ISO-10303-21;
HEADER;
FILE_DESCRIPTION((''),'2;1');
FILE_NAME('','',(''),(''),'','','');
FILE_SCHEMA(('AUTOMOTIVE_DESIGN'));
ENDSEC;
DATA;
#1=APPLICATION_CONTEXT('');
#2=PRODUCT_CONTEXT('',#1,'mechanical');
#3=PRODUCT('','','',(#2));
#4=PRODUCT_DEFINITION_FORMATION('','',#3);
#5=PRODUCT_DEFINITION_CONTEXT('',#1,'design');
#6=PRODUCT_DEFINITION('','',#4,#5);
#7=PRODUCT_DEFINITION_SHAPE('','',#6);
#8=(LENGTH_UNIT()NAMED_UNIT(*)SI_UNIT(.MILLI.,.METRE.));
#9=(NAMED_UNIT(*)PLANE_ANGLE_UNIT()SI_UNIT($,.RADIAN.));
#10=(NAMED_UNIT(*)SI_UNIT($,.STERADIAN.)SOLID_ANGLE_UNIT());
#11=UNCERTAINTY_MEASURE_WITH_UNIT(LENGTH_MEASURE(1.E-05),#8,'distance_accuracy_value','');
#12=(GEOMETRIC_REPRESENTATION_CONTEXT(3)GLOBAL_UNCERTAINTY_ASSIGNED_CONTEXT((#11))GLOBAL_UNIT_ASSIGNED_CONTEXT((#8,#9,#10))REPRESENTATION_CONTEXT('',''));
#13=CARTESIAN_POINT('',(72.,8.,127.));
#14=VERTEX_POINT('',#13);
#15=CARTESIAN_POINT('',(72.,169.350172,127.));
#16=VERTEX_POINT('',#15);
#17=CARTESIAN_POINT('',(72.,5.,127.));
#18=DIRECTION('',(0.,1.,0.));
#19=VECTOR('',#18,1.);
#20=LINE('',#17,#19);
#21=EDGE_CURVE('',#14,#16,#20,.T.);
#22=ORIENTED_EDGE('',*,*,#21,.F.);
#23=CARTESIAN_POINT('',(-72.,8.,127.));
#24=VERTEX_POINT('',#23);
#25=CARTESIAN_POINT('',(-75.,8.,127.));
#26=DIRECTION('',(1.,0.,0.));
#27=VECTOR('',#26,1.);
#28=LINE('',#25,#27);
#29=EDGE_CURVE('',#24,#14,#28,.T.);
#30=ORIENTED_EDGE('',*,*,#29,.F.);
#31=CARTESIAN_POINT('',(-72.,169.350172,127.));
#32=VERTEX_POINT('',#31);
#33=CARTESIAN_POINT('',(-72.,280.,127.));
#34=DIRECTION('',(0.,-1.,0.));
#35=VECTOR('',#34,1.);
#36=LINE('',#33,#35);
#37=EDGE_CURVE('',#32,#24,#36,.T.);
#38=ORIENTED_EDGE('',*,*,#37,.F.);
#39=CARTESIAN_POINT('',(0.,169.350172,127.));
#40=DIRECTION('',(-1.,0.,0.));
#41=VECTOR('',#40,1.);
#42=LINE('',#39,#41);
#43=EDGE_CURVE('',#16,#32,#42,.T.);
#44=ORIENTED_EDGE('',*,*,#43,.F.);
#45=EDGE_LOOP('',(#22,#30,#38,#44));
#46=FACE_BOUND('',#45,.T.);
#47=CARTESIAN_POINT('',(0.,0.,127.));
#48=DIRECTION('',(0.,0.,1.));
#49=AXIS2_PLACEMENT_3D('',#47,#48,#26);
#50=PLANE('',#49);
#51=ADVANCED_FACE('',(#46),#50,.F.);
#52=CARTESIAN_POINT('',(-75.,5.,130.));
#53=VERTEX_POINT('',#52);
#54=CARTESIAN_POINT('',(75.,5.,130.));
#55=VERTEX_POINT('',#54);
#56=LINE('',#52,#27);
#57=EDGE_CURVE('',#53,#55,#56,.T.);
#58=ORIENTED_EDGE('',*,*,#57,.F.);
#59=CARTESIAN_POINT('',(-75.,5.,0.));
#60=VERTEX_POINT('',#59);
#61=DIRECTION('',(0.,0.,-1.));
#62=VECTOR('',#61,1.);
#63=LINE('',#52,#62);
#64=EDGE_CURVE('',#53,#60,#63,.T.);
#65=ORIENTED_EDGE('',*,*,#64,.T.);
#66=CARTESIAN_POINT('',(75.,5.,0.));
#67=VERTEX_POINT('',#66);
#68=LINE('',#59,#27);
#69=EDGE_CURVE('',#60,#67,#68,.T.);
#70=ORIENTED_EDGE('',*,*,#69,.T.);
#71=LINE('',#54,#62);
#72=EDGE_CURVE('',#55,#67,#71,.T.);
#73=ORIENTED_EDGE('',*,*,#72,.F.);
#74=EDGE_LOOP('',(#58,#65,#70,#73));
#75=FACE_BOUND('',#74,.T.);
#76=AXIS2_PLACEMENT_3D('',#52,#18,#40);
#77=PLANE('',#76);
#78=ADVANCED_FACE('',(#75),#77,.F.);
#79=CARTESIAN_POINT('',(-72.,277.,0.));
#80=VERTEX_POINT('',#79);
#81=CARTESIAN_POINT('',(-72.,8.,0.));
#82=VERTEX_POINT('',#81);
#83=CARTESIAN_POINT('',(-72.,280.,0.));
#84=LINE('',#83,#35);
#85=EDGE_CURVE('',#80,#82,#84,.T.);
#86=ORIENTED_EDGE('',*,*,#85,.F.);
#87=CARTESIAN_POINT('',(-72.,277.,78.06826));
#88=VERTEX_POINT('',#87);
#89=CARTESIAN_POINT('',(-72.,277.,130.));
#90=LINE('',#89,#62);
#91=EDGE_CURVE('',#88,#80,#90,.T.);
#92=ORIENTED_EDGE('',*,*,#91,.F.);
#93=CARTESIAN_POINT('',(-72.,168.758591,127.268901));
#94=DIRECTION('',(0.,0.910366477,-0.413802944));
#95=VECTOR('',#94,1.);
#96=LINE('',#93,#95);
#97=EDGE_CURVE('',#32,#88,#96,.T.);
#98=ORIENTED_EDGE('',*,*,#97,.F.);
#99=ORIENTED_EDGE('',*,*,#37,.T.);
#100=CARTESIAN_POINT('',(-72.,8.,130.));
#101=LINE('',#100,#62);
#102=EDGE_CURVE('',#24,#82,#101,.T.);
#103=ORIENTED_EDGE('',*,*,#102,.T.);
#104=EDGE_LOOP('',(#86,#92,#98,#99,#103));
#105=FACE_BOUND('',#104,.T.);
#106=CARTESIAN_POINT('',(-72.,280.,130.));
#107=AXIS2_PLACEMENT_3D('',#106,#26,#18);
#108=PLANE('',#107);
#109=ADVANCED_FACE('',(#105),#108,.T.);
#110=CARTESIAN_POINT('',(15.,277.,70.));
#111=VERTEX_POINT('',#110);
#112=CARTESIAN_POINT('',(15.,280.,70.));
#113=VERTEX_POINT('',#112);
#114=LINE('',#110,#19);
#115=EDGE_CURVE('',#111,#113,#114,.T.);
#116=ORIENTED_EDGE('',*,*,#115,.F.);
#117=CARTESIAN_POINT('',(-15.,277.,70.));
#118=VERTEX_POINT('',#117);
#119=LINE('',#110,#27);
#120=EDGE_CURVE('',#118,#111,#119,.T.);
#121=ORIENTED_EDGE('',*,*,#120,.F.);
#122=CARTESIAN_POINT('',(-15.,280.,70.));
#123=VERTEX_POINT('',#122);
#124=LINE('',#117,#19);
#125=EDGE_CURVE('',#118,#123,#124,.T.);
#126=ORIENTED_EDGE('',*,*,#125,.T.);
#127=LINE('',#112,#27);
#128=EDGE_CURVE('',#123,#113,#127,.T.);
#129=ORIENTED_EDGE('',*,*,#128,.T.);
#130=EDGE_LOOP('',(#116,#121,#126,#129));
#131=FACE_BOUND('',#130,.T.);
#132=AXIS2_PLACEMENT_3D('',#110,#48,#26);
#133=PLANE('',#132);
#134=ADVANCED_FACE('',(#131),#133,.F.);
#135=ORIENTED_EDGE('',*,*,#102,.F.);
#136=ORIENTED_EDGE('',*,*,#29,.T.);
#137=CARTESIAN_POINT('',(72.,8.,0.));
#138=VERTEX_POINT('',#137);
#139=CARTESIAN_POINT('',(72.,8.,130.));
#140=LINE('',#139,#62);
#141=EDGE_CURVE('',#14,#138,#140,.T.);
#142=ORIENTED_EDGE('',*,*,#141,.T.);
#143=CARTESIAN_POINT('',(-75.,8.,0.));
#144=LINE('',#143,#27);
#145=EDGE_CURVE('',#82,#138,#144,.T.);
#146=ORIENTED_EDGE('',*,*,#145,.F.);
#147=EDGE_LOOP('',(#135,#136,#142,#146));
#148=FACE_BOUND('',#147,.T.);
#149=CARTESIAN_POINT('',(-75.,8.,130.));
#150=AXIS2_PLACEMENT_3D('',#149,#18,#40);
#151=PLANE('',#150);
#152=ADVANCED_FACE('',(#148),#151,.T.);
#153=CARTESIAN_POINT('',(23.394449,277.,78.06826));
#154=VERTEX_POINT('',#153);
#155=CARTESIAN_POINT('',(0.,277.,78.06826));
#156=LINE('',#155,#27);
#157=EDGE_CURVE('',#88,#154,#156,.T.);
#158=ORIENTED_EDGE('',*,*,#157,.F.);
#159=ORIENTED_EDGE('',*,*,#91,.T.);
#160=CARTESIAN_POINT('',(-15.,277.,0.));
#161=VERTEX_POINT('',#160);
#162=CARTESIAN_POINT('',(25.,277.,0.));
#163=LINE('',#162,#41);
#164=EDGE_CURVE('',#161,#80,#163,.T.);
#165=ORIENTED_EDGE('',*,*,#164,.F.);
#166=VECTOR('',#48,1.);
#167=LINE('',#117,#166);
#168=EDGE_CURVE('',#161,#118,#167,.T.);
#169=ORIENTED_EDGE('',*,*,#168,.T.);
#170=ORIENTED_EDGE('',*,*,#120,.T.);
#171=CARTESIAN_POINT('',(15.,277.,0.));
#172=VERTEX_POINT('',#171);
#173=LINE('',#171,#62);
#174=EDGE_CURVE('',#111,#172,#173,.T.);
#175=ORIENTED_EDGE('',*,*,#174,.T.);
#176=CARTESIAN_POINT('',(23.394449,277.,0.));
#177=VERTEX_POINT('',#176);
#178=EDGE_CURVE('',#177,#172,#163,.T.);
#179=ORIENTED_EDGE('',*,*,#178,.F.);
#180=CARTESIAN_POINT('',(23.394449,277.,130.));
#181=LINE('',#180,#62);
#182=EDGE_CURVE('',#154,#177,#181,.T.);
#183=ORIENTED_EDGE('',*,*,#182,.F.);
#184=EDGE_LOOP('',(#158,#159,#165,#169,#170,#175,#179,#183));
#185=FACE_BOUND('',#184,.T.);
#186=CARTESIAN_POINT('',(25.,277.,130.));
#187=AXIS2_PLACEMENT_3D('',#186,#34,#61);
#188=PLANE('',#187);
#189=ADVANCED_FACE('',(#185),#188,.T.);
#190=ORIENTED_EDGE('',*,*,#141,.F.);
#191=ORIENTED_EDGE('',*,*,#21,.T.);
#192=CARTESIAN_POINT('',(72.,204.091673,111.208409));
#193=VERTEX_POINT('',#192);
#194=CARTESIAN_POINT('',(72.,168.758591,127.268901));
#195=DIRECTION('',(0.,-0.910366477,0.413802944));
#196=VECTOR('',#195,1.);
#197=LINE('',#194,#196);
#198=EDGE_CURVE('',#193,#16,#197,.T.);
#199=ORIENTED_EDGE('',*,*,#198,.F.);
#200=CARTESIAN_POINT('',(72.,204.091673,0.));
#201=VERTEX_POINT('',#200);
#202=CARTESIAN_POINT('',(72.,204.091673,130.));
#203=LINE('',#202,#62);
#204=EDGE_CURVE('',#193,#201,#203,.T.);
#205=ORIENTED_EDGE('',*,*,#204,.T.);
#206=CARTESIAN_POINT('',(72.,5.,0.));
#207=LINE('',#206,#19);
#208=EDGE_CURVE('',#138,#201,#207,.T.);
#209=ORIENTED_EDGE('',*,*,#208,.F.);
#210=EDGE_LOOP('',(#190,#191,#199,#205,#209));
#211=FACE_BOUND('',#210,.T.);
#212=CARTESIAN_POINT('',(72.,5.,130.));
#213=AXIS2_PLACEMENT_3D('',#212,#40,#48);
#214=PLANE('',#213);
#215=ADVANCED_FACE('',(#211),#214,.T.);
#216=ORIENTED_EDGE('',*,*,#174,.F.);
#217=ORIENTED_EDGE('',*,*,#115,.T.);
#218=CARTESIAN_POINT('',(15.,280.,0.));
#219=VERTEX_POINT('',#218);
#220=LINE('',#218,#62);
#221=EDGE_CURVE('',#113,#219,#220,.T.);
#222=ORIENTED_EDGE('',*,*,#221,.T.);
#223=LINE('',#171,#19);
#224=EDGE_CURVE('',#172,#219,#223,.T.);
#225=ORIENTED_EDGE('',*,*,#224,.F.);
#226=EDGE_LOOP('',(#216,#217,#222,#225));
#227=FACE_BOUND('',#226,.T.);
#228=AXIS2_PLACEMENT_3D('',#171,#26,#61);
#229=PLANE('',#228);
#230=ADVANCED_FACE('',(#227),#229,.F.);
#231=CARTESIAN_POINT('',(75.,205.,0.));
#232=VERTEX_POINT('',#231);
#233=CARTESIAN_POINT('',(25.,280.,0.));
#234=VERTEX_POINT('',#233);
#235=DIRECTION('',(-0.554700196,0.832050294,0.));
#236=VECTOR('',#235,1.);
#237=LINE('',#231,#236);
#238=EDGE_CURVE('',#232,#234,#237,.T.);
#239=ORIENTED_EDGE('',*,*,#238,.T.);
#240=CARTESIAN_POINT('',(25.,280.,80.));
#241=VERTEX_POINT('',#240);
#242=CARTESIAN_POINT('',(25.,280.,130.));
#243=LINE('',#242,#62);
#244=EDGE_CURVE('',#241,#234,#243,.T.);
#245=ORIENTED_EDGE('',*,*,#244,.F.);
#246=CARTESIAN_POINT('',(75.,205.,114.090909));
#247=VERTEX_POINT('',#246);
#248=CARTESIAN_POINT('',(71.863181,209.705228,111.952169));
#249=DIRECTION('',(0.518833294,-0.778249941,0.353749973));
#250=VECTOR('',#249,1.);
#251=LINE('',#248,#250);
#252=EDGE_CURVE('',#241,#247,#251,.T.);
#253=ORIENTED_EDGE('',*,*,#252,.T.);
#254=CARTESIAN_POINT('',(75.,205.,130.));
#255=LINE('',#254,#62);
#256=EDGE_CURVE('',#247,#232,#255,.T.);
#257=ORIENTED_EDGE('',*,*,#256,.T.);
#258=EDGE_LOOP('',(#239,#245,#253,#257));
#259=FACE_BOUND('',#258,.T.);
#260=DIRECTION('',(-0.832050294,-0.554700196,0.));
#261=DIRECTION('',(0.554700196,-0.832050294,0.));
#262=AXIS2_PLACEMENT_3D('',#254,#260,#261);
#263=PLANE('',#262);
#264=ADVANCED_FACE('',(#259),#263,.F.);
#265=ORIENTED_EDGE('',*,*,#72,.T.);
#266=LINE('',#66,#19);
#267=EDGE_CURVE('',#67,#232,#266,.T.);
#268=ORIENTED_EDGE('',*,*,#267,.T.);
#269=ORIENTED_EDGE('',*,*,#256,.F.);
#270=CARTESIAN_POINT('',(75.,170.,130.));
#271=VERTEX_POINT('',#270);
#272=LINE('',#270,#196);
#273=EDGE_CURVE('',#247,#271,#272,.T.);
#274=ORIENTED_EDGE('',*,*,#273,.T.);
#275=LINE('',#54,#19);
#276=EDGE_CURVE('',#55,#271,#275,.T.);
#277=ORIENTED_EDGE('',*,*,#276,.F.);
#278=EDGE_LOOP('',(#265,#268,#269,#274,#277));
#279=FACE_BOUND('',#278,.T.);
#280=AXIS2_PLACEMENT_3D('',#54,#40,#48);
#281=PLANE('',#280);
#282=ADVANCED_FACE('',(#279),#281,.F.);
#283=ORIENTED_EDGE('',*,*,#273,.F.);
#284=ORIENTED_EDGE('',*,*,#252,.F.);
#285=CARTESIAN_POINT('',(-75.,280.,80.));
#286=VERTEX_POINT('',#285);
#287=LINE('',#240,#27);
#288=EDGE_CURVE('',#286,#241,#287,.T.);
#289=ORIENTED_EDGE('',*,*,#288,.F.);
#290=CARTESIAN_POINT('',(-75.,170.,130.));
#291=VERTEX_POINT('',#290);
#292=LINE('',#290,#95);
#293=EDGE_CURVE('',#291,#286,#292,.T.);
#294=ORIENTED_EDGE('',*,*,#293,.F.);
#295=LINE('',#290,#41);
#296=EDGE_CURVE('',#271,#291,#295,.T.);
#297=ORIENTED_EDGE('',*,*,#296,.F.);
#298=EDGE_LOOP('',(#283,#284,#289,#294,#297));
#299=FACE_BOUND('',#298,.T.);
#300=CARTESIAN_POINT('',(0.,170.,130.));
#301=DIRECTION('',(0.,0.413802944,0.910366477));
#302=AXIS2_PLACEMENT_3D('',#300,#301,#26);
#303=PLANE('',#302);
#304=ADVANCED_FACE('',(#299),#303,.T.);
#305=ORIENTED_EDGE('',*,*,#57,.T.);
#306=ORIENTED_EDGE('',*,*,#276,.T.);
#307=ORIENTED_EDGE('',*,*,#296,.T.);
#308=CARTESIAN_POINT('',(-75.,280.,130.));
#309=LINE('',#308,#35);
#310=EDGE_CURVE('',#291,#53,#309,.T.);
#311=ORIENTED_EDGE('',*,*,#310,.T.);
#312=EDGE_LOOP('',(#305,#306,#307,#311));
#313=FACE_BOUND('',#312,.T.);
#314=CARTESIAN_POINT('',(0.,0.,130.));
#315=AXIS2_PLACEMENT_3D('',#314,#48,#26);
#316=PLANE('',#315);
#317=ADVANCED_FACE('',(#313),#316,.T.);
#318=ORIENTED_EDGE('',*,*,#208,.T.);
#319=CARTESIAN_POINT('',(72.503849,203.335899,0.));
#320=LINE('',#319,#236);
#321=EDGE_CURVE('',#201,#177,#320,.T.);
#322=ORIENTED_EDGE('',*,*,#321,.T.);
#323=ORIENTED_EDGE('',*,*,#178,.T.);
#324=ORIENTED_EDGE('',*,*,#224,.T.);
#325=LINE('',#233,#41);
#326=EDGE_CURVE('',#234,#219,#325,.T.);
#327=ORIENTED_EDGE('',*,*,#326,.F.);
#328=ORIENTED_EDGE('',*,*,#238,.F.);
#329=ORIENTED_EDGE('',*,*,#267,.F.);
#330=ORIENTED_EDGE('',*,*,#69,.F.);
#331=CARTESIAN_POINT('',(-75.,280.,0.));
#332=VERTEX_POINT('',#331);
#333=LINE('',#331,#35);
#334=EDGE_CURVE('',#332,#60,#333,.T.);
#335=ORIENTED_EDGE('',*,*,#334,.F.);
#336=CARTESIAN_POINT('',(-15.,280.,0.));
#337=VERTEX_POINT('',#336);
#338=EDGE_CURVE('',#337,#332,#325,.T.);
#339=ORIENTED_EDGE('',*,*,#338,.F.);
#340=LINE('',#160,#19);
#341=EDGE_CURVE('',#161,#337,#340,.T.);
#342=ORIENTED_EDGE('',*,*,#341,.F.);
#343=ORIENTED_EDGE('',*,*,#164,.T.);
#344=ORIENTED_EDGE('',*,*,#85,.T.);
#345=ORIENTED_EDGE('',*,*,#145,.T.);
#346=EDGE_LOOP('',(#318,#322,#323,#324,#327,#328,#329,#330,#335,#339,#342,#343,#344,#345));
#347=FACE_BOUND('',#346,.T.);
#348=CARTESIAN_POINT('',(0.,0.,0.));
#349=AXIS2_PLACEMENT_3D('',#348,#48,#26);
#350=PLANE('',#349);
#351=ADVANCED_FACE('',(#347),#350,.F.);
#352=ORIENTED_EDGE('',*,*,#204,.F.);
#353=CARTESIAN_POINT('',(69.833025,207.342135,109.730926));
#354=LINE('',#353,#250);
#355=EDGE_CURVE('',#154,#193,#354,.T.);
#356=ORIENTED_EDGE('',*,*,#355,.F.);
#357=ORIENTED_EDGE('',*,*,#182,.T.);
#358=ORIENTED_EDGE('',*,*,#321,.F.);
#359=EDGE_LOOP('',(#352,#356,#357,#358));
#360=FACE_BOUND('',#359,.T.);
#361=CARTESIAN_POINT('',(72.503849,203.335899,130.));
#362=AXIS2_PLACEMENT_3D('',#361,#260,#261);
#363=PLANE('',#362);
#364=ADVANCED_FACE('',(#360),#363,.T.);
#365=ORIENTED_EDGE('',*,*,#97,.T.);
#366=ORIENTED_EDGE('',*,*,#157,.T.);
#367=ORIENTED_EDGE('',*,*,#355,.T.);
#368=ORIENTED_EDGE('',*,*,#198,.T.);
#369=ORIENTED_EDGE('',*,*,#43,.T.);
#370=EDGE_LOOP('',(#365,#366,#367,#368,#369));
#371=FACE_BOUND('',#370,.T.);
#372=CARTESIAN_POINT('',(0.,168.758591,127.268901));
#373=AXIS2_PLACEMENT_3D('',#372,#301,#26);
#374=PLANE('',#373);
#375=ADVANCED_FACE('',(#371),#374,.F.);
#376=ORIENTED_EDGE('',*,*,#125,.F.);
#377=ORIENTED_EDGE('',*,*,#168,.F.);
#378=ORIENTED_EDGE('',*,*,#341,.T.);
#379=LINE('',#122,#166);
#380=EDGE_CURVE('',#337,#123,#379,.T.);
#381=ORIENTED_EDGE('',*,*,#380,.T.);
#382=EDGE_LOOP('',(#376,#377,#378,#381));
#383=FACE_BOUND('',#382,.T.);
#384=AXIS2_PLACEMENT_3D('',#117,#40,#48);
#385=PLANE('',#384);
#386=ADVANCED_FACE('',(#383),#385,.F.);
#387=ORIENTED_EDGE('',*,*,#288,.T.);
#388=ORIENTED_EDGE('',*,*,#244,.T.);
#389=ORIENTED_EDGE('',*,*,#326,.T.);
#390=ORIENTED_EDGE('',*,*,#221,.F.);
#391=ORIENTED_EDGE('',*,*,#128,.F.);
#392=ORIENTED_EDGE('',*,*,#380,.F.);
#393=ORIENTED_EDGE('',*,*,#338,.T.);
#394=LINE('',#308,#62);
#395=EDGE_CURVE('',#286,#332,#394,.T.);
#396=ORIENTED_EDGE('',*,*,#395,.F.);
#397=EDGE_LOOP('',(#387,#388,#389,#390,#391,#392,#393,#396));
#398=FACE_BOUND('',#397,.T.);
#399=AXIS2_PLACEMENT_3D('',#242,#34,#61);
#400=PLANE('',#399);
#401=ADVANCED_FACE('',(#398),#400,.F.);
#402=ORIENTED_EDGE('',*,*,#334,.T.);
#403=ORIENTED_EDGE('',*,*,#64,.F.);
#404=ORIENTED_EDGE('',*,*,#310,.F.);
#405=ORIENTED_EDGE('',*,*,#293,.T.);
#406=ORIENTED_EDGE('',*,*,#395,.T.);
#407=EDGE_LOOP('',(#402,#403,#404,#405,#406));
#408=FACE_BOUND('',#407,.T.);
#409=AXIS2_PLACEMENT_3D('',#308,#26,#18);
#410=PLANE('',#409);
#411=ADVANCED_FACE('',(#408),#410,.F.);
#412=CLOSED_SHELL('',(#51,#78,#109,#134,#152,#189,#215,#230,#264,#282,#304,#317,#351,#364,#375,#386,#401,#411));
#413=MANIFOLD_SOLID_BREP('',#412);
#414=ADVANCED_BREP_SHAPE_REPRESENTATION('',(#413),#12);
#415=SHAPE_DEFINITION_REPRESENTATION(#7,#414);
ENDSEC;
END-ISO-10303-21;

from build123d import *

# Parameters (mm, degrees)
EXTRUDE_1_DEPTH     = 130
CHAMFER_1_SIZE      = 50
CHAMFER_1_SIZE2     = 110
SHELL_1_T           = -3
SKETCH_3_W          = 30
SKETCH_3_H          = 70
CUT_EXTRUDE_1_DEPTH = 3


with BuildPart() as part:
    # 草图2 → 凸台-拉伸1 (new body)
    with BuildSketch(Plane.XY):
        Polygon((-75, 280), (-75, 5), (75, 5), (75, 205), (25, 280), align=None)
    extrude(amount=EXTRUDE_1_DEPTH)

    # 倒角1
    chamfer_1_edges = [part.edges().sort_by_distance(p)[0] for p in [
        (-25, 280, 130),
    ]]
    chamfer_1_side = [part.faces().sort_by_distance(p)[0] for p in [
        (-25, 280, 65),
    ]]
    chamfer(chamfer_1_edges, length=CHAMFER_1_SIZE, length2=CHAMFER_1_SIZE2, reference=chamfer_1_side[0])

    # 抽壳1
    shell_1_openings = [part.faces().sort_by_distance(p)[0] for p in [
        (-2.777777778, 137.142857143, 0),
    ]]
    offset(amount=SHELL_1_T, openings=shell_1_openings, kind=Kind.INTERSECTION)

    # 草图3 → 切除-拉伸1 (cut)
    with BuildSketch(Plane(origin=(0, 280, 0), x_dir=(1, 0, 0), z_dir=(0, 1, 0))):
        with Locations((0, -35)):
            Rectangle(SKETCH_3_W, SKETCH_3_H)
    extrude(amount=-CUT_EXTRUDE_1_DEPTH, mode=Mode.SUBTRACT)


solid = part.part
